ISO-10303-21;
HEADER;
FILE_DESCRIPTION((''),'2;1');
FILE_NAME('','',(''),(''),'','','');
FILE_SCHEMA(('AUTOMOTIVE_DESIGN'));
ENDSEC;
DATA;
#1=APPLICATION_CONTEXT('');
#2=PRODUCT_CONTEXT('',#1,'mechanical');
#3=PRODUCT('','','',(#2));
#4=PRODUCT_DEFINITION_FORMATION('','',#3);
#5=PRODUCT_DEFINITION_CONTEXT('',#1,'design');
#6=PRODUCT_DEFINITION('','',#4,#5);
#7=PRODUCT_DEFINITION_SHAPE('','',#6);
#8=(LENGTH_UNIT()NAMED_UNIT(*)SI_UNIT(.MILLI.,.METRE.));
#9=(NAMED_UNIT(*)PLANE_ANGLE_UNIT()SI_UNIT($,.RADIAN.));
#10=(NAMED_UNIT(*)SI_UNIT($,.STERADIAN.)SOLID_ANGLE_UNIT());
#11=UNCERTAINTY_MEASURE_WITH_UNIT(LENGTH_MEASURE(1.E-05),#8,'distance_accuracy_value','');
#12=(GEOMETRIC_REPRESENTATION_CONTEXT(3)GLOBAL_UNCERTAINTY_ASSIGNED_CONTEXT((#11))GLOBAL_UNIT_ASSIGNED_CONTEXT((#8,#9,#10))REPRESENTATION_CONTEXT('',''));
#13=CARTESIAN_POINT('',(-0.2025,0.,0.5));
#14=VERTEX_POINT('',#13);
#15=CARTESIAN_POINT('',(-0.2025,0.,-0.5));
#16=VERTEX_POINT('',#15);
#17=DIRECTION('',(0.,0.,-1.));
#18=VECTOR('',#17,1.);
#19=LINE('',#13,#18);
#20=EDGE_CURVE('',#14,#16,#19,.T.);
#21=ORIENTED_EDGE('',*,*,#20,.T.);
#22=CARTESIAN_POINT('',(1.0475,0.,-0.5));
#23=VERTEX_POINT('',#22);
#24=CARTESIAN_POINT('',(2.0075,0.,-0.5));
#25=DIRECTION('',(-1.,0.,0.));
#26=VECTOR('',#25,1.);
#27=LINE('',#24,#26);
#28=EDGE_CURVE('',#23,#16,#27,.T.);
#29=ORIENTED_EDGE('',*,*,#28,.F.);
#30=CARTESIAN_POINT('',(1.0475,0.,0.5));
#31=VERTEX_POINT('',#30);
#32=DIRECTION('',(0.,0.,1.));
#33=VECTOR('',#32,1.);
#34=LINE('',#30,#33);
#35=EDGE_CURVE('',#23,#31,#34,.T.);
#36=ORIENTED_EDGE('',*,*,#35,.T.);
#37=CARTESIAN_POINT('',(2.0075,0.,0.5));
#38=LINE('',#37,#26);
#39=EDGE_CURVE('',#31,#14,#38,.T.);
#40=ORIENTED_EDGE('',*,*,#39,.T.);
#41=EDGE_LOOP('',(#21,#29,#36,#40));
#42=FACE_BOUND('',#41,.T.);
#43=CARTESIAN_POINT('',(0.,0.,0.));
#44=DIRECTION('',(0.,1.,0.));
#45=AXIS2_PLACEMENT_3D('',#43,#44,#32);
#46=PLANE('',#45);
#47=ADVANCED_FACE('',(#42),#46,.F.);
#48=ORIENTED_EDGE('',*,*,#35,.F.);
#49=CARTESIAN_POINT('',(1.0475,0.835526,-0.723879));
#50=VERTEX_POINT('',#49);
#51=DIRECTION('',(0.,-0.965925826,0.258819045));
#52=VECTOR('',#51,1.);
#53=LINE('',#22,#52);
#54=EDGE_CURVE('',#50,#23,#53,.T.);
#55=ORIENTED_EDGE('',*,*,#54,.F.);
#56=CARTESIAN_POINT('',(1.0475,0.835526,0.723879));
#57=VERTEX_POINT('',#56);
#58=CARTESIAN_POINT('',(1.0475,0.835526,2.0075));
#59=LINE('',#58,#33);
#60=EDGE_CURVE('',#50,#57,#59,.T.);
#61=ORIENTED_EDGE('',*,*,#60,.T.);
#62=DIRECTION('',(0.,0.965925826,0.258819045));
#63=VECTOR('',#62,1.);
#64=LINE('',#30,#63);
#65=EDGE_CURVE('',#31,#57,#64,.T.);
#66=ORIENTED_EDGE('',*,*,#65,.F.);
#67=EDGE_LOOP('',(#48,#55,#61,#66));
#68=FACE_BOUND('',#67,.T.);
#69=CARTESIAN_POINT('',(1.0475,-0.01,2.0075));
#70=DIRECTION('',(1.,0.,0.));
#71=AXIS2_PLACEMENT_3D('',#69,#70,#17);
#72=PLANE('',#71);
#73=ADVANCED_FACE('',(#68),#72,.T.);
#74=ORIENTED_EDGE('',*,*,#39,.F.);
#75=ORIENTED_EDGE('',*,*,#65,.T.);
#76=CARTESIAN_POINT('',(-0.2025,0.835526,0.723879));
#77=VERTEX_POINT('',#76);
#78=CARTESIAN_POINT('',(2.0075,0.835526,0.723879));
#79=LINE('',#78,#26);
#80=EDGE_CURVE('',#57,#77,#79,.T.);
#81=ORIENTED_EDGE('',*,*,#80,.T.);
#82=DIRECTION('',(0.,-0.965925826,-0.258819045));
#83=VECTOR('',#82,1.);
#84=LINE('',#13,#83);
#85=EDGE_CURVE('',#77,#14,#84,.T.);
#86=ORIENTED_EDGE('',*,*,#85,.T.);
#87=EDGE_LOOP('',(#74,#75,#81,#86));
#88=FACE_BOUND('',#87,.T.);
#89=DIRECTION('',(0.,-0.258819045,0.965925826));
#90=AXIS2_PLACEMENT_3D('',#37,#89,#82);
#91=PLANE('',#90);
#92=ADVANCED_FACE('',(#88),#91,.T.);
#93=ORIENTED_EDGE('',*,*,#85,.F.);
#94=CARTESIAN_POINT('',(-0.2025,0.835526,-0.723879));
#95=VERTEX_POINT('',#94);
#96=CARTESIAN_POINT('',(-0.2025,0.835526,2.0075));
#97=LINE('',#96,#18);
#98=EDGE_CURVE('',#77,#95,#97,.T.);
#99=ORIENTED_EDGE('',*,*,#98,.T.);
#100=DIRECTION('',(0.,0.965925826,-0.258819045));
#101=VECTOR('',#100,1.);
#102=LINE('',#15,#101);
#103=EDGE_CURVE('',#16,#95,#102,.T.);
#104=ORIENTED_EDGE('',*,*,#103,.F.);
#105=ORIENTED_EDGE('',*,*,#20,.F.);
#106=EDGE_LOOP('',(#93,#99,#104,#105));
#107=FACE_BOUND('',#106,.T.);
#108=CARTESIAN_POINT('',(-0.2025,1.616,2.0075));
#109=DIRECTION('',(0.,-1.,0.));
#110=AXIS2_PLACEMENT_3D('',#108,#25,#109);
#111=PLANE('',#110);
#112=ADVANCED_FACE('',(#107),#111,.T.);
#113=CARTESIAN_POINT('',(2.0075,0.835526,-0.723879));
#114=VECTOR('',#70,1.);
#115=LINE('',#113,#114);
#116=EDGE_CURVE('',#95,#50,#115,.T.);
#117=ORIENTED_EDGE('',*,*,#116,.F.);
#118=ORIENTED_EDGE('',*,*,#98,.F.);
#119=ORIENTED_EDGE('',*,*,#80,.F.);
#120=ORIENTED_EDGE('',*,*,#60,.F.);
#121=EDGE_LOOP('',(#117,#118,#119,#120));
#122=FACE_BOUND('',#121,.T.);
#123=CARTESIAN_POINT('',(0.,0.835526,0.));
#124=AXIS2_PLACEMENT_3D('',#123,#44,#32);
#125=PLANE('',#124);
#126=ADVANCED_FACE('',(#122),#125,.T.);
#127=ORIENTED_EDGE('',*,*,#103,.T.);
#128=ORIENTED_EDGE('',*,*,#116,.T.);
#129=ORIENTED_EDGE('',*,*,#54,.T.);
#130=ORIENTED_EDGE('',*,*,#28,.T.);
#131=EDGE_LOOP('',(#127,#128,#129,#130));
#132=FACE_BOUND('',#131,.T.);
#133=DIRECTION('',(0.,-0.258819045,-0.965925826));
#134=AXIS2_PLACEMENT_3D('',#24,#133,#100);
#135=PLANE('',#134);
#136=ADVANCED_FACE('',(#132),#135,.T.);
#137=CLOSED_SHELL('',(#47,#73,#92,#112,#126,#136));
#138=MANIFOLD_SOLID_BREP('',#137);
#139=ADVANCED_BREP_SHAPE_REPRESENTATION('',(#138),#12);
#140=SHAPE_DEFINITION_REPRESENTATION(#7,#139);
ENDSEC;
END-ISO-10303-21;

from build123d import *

# Parameters (mm, degrees)
SKETCH_TL_CUTTING_R    = 1.997499942
TL_CUTTING_DEPTH       = 29.999999944
SKETCH_TDF_CUTTING_W   = 4.014999844
SKETCH_TDF_CUTTING_H   = 4.014999844
TDF_CUTTING_DEPTH      = 31.132706627
VW_VR_GRINDING_DEPTH   = 2.007499922
VW_VR_GRINDING_2_DEPTH = 2.007499922
ISA_GRINDING_DEPTH     = 2.007499922
SKETCH_PRE_FRX_BRX_W   = 0.939999898
SKETCH_PRE_FRX_BRX_H   = 1.62600005
SKETCH_PRE_FRX_BRX_W_2 = 1.814999926
PRE_FRX_BRX_DEPTH      = 2.007499922
FA_BA_GRINDING_DEPTH   = 2.007499922


with BuildPart() as part:
    # sketch_TL_cutting → TL_cutting (new body)
    with BuildSketch(Plane(origin=(0, 0, 0), x_dir=(1, 0, 0), z_dir=(0, 1, 0))):
        with Locations(Location((0, 0, 0), (0, 0, 270))):
            Circle(SKETCH_TL_CUTTING_R)
    extrude(amount=TL_CUTTING_DEPTH)

    # sketch_TDF_cutting → TDF_cutting (cut, through all)
    with BuildSketch(Plane(origin=(0, 0, 0), x_dir=(1, 0, 0), z_dir=(0, 1, 0))):
        with Locations((-3.609999892, 0)):
            Rectangle(SKETCH_TDF_CUTTING_W, SKETCH_TDF_CUTTING_H)
    extrude(amount=TDF_CUTTING_DEPTH, mode=Mode.SUBTRACT)


with BuildPart() as body_2:
    # sketch_VW_VR_grinding → VW_VR_grinding (new, symmetric)
    with BuildSketch(Plane(origin=(0, 0, 0), x_dir=(0, 0, -1), z_dir=(1, 0, 0))):
        with BuildLine():
            Line((-1.589999995, -0.00999998), (-1.589999995, 9.99888896))
            ThreePointArc((-1.589999995, 9.99888896), (-1.590048322, 9.999995838), (-1.590192937, 10.001094292))
            Line((-1.590192937, 10.001094292), (-2.017499902, 12.424472516))
            Line((-2.017499902, 12.424472516), (-2.007499922, -0.00999998))
            Line((-2.007499922, -0.00999998), (-1.589999995, -0.00999998))
        make_face()
    extrude(amount=VW_VR_GRINDING_DEPTH, both=True)


with BuildPart() as body_3:
    # sketch_VW_VR_grinding → VW_VR_grinding 2 (new, symmetric)
    with BuildSketch(Plane(origin=(0, 0, 0), x_dir=(0, 0, -1), z_dir=(1, 0, 0))):
        with BuildLine():
            Line((1.589999995, -0.00999998), (1.589999995, 9.99888896))
            ThreePointArc((1.589999995, 9.99888896), (1.590048322, 9.999995838), (1.590192937, 10.001094292))
            Line((1.590192937, 10.001094292), (2.017499902, 12.424472516))
            Line((2.017499902, 12.424472516), (2.007499922, -0.00999998))
            Line((2.007499922, -0.00999998), (1.589999995, -0.00999998))
        make_face()
    extrude(amount=VW_VR_GRINDING_2_DEPTH, both=True)


    add(body_2.part)  # ISA_grinding merges body 2
    # sketch_ISA_grinding → ISA_grinding (add, symmetric)
    with BuildSketch(Plane(origin=(0, 0, 0), x_dir=(0, 0, -1), z_dir=(1, 0, 0))):
        Polygon((-0.500000016, 0), (0.500000016, 0), (2.007499922, 5.626066242), (2.007499922, -0.02999994), (-2.007499922, -0.02999994), (-2.007499922, 5.626066242), align=None)
    extrude(amount=ISA_GRINDING_DEPTH, both=True)

    # sketch_pre_FRX_BRX → pre_FRX_BRX (add, symmetric)
    with BuildSketch(Plane.XY):
        with Locations((1.527499993, 0.803000045)):
            Rectangle(SKETCH_PRE_FRX_BRX_W, SKETCH_PRE_FRX_BRX_H)
        with Locations((-1.109999939, 0.803000045)):
            Rectangle(SKETCH_PRE_FRX_BRX_W_2, SKETCH_PRE_FRX_BRX_H)
    extrude(amount=PRE_FRX_BRX_DEPTH, both=True)

    # sketch_FA_BA_grinding → FA_BA_grinding (add, symmetric)
    with BuildSketch(Plane.XY):
        Polygon((1.047500064, -0.00999998), (1.047500064, 1.62600005), (2.124499942, 9.289252373), (2.124499942, -0.00999998), align=None)
        Polygon((-0.202499976, -0.00999998), (-0.202499976, 1.62600005), (-1.72949997, 12.491169573), (-1.72949997, -0.00999998), align=None)
    extrude(amount=FA_BA_GRINDING_DEPTH, both=True)


with BuildPart() as part_1:
    add(part.part)

    # B1_fix: cut body 3
    add(body_3.part, mode=Mode.SUBTRACT)

    # SurfaceCut1
    split(bisect_by=Plane(origin=(0, 0.835526316, 0), x_dir=(1, 0, 0), z_dir=(0, 1, 0)), keep=Keep.BOTTOM)


solid = part_1.part
